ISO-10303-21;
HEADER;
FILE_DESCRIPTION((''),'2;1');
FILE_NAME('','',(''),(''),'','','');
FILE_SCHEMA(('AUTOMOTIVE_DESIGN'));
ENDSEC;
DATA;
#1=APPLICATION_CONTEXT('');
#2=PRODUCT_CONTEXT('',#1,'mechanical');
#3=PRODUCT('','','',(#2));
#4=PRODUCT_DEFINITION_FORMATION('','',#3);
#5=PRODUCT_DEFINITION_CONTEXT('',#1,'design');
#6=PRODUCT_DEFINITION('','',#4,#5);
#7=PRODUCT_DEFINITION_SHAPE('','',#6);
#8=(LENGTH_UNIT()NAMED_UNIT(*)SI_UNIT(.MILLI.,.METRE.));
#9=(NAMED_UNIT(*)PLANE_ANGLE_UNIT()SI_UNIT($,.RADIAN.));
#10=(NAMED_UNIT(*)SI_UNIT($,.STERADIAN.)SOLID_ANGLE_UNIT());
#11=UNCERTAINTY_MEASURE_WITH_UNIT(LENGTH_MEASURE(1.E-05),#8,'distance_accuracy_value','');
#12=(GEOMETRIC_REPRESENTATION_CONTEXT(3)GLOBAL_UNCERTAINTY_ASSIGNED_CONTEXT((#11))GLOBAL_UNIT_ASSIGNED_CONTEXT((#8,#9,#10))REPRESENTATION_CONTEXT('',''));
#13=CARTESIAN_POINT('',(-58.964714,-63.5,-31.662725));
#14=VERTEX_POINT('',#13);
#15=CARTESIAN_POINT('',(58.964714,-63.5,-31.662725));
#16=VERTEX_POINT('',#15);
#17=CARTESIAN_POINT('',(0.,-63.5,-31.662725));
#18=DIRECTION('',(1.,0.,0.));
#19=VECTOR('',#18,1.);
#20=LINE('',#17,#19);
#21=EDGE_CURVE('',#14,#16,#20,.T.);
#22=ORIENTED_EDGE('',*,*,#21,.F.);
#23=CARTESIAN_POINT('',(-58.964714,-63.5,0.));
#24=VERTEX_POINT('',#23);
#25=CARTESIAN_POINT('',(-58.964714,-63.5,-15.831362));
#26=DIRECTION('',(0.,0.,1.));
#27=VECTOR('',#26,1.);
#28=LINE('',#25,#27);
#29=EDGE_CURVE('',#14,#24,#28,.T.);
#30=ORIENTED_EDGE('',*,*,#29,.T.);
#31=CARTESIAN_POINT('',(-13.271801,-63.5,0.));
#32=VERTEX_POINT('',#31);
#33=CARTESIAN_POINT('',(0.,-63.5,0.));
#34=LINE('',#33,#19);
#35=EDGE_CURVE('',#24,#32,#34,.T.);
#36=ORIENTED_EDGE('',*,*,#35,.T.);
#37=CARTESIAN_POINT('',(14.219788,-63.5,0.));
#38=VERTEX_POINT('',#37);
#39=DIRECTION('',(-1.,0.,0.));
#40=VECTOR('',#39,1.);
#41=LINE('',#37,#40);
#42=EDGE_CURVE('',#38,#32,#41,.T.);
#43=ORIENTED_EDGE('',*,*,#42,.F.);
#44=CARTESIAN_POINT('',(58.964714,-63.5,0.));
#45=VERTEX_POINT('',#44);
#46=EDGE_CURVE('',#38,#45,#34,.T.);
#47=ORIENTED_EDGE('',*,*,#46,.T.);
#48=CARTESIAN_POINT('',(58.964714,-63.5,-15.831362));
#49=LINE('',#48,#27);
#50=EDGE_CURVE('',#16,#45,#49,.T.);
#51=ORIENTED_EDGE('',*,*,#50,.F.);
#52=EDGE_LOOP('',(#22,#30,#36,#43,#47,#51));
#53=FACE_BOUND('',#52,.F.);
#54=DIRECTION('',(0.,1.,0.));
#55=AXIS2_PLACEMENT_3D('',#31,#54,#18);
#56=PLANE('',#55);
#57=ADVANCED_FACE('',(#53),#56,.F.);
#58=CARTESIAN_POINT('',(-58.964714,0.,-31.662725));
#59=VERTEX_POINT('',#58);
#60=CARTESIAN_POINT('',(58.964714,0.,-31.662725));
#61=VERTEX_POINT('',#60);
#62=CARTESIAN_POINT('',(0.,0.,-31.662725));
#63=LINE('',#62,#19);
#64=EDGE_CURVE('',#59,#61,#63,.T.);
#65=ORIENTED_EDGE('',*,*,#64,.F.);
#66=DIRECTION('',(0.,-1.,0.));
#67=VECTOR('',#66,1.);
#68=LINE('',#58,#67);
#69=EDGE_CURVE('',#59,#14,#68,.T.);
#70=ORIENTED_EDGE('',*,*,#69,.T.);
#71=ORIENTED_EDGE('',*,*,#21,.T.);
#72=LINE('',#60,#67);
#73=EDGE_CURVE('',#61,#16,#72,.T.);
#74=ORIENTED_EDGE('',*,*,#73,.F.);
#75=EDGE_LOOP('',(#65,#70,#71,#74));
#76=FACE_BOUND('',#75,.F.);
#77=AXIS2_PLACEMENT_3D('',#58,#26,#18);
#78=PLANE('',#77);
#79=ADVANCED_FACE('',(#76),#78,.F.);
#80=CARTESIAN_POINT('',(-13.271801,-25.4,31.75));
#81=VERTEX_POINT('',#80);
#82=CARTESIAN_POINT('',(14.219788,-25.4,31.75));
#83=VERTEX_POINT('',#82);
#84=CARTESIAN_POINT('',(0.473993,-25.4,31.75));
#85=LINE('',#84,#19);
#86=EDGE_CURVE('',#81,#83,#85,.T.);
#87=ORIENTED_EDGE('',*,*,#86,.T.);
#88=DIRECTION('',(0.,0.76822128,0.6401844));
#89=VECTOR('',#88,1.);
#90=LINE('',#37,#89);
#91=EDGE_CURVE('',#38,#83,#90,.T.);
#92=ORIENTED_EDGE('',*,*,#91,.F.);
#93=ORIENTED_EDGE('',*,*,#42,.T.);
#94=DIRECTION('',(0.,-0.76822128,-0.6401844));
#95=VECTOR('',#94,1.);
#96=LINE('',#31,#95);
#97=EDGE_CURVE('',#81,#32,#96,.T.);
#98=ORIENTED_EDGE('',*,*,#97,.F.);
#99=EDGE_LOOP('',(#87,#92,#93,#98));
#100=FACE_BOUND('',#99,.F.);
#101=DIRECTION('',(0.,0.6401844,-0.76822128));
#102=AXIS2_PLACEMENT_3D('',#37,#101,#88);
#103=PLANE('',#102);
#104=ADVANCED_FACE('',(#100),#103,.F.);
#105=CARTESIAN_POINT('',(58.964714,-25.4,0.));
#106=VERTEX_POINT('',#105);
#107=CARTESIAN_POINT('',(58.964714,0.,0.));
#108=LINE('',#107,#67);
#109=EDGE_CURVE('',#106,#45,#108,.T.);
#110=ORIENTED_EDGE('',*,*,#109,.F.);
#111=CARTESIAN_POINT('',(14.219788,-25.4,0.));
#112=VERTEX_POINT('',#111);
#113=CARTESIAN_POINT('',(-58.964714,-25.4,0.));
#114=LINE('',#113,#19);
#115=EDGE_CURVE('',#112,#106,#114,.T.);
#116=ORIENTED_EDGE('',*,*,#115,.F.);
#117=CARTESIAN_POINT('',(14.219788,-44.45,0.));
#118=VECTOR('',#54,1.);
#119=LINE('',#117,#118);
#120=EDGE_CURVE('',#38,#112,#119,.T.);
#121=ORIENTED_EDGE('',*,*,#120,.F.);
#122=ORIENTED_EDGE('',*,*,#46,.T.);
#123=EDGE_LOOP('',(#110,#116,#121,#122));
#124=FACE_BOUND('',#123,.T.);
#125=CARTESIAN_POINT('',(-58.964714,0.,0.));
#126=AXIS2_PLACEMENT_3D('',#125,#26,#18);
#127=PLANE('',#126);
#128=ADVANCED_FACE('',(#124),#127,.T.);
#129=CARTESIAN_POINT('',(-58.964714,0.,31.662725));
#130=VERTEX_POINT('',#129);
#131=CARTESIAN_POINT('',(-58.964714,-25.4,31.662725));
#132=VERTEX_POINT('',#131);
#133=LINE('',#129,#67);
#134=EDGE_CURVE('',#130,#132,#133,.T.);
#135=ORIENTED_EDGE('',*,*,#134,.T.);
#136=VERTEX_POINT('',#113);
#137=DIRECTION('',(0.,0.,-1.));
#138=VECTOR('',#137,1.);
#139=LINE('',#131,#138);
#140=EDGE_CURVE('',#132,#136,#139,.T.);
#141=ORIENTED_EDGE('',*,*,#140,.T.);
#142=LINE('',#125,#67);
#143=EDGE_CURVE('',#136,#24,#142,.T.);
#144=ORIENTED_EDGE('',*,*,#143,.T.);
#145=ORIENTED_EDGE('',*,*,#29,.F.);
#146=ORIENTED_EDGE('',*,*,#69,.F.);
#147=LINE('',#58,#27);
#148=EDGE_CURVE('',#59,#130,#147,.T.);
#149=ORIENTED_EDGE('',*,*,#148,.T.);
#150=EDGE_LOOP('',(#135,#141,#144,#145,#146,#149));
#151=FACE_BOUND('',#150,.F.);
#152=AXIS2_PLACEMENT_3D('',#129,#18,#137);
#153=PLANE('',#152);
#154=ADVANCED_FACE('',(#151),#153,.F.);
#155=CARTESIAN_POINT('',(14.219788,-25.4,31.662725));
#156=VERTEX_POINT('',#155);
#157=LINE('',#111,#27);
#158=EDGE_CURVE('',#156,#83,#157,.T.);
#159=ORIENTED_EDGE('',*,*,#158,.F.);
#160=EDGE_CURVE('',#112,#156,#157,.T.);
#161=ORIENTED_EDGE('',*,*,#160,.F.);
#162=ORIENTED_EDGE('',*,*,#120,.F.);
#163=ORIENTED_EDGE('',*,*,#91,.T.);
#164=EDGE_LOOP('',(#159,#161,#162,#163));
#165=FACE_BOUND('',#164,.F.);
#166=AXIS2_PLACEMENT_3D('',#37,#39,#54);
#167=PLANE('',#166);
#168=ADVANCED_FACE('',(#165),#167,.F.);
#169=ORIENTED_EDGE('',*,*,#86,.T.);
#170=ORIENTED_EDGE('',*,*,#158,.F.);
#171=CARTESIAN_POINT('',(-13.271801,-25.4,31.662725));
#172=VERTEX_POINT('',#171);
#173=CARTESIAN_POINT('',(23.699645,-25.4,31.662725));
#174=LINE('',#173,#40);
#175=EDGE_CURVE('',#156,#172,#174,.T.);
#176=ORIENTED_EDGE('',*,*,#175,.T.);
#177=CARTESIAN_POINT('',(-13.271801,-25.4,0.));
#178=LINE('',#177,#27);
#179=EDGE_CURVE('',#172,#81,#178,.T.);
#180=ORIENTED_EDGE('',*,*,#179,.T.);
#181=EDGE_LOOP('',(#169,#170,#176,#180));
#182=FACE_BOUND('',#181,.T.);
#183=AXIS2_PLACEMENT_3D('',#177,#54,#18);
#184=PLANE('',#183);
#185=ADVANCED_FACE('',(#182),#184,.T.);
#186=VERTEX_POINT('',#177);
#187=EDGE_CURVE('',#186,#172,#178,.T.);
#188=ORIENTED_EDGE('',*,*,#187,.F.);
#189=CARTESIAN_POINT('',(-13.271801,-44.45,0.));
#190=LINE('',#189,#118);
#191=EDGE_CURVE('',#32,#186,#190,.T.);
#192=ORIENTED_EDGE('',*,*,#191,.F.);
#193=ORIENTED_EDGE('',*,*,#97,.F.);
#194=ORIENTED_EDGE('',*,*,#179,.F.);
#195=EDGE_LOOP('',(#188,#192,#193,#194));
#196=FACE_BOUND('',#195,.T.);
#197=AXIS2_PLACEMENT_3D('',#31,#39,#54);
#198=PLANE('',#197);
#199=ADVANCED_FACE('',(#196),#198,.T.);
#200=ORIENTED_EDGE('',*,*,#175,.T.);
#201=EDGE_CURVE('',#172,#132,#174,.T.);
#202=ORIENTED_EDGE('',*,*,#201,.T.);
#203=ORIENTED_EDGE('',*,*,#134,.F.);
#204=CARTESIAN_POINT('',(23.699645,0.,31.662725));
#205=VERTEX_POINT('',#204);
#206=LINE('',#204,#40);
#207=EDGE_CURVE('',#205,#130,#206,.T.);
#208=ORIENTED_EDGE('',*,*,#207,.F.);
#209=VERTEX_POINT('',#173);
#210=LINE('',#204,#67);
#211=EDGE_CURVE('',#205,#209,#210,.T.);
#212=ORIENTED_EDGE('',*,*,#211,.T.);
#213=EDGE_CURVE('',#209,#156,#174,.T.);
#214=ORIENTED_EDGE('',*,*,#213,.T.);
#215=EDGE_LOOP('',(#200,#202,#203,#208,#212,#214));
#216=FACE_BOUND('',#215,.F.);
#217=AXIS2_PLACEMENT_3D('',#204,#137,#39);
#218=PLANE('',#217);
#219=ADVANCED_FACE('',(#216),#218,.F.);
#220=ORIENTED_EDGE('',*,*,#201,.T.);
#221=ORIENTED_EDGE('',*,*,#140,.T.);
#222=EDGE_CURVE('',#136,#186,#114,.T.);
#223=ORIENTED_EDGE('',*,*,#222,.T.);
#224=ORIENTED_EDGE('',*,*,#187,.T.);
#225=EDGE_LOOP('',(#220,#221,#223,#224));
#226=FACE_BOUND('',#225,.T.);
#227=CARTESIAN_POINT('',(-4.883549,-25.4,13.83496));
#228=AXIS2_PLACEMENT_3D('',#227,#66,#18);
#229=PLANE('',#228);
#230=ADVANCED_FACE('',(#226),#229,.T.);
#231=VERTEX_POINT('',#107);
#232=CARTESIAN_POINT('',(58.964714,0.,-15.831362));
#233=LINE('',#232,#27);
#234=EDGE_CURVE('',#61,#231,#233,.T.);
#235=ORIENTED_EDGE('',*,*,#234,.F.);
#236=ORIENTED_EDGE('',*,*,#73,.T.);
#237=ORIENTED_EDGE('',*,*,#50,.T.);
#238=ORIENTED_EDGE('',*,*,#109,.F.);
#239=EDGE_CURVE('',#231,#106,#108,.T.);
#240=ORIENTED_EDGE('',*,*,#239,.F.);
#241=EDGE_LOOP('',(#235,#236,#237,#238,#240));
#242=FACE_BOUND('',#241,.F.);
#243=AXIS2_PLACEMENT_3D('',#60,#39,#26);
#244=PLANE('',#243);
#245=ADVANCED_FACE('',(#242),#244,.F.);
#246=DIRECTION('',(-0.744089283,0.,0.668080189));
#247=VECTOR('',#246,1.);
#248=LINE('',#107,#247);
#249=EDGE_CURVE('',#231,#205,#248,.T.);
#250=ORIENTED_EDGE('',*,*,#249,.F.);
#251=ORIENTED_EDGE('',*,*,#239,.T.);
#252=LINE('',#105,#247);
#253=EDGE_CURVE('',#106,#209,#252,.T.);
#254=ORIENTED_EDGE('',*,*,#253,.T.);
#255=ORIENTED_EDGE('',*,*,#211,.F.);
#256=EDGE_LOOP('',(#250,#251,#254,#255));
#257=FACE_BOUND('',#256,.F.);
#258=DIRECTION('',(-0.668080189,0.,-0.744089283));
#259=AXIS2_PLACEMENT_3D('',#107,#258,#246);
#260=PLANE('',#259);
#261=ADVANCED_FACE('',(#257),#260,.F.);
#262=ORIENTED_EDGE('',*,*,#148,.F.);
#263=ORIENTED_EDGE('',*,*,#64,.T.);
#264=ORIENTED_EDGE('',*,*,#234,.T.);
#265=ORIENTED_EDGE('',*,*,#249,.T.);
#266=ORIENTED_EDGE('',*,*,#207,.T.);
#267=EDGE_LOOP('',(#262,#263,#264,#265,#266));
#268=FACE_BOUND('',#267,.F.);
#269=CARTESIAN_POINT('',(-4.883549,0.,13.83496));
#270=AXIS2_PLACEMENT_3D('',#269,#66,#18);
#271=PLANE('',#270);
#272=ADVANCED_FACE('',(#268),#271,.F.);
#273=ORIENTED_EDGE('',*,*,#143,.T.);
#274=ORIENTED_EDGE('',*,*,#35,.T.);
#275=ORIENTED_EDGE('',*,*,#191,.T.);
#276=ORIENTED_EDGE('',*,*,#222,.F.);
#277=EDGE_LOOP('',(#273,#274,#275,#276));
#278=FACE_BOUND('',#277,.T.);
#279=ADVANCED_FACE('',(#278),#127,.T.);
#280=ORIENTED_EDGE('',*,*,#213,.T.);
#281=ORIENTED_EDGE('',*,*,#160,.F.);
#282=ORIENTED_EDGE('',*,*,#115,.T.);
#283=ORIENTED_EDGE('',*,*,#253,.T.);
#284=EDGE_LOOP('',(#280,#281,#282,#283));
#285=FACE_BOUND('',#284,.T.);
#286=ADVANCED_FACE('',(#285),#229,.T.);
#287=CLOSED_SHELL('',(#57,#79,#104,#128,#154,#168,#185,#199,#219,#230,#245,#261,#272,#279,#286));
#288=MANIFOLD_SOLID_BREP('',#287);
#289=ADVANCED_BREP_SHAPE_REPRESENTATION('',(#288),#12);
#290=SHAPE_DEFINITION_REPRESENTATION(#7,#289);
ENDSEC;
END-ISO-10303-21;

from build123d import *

# Parameters (mm, degrees)
F0_W     = 117.9294288158
F0_H     = 31.6627249122
F1_DEPTH = 63.5
F2_DEPTH = 25.4
F3_W     = 27.4915890768
F3_H     = 38.1
F4_DEPTH = 31.75
F6_DEPTH = 73.1855023111


with BuildPart() as f1:
    # F0 (on Front) → F1 (new body)
    with BuildSketch(Plane.XZ):
        with Locations((0, -15.8313624561)):
            Rectangle(F0_W, F0_H)
    extrude(amount=F1_DEPTH)

    # F0 (on Front) → F2 (join)
    with BuildSketch(Plane.XZ):
        Polygon((58.9647144079, 0), (23.699644953, 31.6627249122), (-58.9647144079, 31.6627249122), (-58.9647144079, 0), align=None)
    extrude(amount=F2_DEPTH)

    # F3 (on face) → F4 (join)
    with BuildSketch(Plane.XY):
        with Locations((0.4739933647, -44.45)):
            Rectangle(F3_W, F3_H)
    extrude(amount=F4_DEPTH)

    # F5 (on face) → F6 (cut, through all)
    with BuildSketch(Plane.YZ.offset(14.2197879031)):
        Polygon((-63.5, 0), (-25.4, 31.75), (-63.5, 31.75), align=None)
    extrude(amount=-F6_DEPTH, mode=Mode.SUBTRACT)


solid = f1.part
